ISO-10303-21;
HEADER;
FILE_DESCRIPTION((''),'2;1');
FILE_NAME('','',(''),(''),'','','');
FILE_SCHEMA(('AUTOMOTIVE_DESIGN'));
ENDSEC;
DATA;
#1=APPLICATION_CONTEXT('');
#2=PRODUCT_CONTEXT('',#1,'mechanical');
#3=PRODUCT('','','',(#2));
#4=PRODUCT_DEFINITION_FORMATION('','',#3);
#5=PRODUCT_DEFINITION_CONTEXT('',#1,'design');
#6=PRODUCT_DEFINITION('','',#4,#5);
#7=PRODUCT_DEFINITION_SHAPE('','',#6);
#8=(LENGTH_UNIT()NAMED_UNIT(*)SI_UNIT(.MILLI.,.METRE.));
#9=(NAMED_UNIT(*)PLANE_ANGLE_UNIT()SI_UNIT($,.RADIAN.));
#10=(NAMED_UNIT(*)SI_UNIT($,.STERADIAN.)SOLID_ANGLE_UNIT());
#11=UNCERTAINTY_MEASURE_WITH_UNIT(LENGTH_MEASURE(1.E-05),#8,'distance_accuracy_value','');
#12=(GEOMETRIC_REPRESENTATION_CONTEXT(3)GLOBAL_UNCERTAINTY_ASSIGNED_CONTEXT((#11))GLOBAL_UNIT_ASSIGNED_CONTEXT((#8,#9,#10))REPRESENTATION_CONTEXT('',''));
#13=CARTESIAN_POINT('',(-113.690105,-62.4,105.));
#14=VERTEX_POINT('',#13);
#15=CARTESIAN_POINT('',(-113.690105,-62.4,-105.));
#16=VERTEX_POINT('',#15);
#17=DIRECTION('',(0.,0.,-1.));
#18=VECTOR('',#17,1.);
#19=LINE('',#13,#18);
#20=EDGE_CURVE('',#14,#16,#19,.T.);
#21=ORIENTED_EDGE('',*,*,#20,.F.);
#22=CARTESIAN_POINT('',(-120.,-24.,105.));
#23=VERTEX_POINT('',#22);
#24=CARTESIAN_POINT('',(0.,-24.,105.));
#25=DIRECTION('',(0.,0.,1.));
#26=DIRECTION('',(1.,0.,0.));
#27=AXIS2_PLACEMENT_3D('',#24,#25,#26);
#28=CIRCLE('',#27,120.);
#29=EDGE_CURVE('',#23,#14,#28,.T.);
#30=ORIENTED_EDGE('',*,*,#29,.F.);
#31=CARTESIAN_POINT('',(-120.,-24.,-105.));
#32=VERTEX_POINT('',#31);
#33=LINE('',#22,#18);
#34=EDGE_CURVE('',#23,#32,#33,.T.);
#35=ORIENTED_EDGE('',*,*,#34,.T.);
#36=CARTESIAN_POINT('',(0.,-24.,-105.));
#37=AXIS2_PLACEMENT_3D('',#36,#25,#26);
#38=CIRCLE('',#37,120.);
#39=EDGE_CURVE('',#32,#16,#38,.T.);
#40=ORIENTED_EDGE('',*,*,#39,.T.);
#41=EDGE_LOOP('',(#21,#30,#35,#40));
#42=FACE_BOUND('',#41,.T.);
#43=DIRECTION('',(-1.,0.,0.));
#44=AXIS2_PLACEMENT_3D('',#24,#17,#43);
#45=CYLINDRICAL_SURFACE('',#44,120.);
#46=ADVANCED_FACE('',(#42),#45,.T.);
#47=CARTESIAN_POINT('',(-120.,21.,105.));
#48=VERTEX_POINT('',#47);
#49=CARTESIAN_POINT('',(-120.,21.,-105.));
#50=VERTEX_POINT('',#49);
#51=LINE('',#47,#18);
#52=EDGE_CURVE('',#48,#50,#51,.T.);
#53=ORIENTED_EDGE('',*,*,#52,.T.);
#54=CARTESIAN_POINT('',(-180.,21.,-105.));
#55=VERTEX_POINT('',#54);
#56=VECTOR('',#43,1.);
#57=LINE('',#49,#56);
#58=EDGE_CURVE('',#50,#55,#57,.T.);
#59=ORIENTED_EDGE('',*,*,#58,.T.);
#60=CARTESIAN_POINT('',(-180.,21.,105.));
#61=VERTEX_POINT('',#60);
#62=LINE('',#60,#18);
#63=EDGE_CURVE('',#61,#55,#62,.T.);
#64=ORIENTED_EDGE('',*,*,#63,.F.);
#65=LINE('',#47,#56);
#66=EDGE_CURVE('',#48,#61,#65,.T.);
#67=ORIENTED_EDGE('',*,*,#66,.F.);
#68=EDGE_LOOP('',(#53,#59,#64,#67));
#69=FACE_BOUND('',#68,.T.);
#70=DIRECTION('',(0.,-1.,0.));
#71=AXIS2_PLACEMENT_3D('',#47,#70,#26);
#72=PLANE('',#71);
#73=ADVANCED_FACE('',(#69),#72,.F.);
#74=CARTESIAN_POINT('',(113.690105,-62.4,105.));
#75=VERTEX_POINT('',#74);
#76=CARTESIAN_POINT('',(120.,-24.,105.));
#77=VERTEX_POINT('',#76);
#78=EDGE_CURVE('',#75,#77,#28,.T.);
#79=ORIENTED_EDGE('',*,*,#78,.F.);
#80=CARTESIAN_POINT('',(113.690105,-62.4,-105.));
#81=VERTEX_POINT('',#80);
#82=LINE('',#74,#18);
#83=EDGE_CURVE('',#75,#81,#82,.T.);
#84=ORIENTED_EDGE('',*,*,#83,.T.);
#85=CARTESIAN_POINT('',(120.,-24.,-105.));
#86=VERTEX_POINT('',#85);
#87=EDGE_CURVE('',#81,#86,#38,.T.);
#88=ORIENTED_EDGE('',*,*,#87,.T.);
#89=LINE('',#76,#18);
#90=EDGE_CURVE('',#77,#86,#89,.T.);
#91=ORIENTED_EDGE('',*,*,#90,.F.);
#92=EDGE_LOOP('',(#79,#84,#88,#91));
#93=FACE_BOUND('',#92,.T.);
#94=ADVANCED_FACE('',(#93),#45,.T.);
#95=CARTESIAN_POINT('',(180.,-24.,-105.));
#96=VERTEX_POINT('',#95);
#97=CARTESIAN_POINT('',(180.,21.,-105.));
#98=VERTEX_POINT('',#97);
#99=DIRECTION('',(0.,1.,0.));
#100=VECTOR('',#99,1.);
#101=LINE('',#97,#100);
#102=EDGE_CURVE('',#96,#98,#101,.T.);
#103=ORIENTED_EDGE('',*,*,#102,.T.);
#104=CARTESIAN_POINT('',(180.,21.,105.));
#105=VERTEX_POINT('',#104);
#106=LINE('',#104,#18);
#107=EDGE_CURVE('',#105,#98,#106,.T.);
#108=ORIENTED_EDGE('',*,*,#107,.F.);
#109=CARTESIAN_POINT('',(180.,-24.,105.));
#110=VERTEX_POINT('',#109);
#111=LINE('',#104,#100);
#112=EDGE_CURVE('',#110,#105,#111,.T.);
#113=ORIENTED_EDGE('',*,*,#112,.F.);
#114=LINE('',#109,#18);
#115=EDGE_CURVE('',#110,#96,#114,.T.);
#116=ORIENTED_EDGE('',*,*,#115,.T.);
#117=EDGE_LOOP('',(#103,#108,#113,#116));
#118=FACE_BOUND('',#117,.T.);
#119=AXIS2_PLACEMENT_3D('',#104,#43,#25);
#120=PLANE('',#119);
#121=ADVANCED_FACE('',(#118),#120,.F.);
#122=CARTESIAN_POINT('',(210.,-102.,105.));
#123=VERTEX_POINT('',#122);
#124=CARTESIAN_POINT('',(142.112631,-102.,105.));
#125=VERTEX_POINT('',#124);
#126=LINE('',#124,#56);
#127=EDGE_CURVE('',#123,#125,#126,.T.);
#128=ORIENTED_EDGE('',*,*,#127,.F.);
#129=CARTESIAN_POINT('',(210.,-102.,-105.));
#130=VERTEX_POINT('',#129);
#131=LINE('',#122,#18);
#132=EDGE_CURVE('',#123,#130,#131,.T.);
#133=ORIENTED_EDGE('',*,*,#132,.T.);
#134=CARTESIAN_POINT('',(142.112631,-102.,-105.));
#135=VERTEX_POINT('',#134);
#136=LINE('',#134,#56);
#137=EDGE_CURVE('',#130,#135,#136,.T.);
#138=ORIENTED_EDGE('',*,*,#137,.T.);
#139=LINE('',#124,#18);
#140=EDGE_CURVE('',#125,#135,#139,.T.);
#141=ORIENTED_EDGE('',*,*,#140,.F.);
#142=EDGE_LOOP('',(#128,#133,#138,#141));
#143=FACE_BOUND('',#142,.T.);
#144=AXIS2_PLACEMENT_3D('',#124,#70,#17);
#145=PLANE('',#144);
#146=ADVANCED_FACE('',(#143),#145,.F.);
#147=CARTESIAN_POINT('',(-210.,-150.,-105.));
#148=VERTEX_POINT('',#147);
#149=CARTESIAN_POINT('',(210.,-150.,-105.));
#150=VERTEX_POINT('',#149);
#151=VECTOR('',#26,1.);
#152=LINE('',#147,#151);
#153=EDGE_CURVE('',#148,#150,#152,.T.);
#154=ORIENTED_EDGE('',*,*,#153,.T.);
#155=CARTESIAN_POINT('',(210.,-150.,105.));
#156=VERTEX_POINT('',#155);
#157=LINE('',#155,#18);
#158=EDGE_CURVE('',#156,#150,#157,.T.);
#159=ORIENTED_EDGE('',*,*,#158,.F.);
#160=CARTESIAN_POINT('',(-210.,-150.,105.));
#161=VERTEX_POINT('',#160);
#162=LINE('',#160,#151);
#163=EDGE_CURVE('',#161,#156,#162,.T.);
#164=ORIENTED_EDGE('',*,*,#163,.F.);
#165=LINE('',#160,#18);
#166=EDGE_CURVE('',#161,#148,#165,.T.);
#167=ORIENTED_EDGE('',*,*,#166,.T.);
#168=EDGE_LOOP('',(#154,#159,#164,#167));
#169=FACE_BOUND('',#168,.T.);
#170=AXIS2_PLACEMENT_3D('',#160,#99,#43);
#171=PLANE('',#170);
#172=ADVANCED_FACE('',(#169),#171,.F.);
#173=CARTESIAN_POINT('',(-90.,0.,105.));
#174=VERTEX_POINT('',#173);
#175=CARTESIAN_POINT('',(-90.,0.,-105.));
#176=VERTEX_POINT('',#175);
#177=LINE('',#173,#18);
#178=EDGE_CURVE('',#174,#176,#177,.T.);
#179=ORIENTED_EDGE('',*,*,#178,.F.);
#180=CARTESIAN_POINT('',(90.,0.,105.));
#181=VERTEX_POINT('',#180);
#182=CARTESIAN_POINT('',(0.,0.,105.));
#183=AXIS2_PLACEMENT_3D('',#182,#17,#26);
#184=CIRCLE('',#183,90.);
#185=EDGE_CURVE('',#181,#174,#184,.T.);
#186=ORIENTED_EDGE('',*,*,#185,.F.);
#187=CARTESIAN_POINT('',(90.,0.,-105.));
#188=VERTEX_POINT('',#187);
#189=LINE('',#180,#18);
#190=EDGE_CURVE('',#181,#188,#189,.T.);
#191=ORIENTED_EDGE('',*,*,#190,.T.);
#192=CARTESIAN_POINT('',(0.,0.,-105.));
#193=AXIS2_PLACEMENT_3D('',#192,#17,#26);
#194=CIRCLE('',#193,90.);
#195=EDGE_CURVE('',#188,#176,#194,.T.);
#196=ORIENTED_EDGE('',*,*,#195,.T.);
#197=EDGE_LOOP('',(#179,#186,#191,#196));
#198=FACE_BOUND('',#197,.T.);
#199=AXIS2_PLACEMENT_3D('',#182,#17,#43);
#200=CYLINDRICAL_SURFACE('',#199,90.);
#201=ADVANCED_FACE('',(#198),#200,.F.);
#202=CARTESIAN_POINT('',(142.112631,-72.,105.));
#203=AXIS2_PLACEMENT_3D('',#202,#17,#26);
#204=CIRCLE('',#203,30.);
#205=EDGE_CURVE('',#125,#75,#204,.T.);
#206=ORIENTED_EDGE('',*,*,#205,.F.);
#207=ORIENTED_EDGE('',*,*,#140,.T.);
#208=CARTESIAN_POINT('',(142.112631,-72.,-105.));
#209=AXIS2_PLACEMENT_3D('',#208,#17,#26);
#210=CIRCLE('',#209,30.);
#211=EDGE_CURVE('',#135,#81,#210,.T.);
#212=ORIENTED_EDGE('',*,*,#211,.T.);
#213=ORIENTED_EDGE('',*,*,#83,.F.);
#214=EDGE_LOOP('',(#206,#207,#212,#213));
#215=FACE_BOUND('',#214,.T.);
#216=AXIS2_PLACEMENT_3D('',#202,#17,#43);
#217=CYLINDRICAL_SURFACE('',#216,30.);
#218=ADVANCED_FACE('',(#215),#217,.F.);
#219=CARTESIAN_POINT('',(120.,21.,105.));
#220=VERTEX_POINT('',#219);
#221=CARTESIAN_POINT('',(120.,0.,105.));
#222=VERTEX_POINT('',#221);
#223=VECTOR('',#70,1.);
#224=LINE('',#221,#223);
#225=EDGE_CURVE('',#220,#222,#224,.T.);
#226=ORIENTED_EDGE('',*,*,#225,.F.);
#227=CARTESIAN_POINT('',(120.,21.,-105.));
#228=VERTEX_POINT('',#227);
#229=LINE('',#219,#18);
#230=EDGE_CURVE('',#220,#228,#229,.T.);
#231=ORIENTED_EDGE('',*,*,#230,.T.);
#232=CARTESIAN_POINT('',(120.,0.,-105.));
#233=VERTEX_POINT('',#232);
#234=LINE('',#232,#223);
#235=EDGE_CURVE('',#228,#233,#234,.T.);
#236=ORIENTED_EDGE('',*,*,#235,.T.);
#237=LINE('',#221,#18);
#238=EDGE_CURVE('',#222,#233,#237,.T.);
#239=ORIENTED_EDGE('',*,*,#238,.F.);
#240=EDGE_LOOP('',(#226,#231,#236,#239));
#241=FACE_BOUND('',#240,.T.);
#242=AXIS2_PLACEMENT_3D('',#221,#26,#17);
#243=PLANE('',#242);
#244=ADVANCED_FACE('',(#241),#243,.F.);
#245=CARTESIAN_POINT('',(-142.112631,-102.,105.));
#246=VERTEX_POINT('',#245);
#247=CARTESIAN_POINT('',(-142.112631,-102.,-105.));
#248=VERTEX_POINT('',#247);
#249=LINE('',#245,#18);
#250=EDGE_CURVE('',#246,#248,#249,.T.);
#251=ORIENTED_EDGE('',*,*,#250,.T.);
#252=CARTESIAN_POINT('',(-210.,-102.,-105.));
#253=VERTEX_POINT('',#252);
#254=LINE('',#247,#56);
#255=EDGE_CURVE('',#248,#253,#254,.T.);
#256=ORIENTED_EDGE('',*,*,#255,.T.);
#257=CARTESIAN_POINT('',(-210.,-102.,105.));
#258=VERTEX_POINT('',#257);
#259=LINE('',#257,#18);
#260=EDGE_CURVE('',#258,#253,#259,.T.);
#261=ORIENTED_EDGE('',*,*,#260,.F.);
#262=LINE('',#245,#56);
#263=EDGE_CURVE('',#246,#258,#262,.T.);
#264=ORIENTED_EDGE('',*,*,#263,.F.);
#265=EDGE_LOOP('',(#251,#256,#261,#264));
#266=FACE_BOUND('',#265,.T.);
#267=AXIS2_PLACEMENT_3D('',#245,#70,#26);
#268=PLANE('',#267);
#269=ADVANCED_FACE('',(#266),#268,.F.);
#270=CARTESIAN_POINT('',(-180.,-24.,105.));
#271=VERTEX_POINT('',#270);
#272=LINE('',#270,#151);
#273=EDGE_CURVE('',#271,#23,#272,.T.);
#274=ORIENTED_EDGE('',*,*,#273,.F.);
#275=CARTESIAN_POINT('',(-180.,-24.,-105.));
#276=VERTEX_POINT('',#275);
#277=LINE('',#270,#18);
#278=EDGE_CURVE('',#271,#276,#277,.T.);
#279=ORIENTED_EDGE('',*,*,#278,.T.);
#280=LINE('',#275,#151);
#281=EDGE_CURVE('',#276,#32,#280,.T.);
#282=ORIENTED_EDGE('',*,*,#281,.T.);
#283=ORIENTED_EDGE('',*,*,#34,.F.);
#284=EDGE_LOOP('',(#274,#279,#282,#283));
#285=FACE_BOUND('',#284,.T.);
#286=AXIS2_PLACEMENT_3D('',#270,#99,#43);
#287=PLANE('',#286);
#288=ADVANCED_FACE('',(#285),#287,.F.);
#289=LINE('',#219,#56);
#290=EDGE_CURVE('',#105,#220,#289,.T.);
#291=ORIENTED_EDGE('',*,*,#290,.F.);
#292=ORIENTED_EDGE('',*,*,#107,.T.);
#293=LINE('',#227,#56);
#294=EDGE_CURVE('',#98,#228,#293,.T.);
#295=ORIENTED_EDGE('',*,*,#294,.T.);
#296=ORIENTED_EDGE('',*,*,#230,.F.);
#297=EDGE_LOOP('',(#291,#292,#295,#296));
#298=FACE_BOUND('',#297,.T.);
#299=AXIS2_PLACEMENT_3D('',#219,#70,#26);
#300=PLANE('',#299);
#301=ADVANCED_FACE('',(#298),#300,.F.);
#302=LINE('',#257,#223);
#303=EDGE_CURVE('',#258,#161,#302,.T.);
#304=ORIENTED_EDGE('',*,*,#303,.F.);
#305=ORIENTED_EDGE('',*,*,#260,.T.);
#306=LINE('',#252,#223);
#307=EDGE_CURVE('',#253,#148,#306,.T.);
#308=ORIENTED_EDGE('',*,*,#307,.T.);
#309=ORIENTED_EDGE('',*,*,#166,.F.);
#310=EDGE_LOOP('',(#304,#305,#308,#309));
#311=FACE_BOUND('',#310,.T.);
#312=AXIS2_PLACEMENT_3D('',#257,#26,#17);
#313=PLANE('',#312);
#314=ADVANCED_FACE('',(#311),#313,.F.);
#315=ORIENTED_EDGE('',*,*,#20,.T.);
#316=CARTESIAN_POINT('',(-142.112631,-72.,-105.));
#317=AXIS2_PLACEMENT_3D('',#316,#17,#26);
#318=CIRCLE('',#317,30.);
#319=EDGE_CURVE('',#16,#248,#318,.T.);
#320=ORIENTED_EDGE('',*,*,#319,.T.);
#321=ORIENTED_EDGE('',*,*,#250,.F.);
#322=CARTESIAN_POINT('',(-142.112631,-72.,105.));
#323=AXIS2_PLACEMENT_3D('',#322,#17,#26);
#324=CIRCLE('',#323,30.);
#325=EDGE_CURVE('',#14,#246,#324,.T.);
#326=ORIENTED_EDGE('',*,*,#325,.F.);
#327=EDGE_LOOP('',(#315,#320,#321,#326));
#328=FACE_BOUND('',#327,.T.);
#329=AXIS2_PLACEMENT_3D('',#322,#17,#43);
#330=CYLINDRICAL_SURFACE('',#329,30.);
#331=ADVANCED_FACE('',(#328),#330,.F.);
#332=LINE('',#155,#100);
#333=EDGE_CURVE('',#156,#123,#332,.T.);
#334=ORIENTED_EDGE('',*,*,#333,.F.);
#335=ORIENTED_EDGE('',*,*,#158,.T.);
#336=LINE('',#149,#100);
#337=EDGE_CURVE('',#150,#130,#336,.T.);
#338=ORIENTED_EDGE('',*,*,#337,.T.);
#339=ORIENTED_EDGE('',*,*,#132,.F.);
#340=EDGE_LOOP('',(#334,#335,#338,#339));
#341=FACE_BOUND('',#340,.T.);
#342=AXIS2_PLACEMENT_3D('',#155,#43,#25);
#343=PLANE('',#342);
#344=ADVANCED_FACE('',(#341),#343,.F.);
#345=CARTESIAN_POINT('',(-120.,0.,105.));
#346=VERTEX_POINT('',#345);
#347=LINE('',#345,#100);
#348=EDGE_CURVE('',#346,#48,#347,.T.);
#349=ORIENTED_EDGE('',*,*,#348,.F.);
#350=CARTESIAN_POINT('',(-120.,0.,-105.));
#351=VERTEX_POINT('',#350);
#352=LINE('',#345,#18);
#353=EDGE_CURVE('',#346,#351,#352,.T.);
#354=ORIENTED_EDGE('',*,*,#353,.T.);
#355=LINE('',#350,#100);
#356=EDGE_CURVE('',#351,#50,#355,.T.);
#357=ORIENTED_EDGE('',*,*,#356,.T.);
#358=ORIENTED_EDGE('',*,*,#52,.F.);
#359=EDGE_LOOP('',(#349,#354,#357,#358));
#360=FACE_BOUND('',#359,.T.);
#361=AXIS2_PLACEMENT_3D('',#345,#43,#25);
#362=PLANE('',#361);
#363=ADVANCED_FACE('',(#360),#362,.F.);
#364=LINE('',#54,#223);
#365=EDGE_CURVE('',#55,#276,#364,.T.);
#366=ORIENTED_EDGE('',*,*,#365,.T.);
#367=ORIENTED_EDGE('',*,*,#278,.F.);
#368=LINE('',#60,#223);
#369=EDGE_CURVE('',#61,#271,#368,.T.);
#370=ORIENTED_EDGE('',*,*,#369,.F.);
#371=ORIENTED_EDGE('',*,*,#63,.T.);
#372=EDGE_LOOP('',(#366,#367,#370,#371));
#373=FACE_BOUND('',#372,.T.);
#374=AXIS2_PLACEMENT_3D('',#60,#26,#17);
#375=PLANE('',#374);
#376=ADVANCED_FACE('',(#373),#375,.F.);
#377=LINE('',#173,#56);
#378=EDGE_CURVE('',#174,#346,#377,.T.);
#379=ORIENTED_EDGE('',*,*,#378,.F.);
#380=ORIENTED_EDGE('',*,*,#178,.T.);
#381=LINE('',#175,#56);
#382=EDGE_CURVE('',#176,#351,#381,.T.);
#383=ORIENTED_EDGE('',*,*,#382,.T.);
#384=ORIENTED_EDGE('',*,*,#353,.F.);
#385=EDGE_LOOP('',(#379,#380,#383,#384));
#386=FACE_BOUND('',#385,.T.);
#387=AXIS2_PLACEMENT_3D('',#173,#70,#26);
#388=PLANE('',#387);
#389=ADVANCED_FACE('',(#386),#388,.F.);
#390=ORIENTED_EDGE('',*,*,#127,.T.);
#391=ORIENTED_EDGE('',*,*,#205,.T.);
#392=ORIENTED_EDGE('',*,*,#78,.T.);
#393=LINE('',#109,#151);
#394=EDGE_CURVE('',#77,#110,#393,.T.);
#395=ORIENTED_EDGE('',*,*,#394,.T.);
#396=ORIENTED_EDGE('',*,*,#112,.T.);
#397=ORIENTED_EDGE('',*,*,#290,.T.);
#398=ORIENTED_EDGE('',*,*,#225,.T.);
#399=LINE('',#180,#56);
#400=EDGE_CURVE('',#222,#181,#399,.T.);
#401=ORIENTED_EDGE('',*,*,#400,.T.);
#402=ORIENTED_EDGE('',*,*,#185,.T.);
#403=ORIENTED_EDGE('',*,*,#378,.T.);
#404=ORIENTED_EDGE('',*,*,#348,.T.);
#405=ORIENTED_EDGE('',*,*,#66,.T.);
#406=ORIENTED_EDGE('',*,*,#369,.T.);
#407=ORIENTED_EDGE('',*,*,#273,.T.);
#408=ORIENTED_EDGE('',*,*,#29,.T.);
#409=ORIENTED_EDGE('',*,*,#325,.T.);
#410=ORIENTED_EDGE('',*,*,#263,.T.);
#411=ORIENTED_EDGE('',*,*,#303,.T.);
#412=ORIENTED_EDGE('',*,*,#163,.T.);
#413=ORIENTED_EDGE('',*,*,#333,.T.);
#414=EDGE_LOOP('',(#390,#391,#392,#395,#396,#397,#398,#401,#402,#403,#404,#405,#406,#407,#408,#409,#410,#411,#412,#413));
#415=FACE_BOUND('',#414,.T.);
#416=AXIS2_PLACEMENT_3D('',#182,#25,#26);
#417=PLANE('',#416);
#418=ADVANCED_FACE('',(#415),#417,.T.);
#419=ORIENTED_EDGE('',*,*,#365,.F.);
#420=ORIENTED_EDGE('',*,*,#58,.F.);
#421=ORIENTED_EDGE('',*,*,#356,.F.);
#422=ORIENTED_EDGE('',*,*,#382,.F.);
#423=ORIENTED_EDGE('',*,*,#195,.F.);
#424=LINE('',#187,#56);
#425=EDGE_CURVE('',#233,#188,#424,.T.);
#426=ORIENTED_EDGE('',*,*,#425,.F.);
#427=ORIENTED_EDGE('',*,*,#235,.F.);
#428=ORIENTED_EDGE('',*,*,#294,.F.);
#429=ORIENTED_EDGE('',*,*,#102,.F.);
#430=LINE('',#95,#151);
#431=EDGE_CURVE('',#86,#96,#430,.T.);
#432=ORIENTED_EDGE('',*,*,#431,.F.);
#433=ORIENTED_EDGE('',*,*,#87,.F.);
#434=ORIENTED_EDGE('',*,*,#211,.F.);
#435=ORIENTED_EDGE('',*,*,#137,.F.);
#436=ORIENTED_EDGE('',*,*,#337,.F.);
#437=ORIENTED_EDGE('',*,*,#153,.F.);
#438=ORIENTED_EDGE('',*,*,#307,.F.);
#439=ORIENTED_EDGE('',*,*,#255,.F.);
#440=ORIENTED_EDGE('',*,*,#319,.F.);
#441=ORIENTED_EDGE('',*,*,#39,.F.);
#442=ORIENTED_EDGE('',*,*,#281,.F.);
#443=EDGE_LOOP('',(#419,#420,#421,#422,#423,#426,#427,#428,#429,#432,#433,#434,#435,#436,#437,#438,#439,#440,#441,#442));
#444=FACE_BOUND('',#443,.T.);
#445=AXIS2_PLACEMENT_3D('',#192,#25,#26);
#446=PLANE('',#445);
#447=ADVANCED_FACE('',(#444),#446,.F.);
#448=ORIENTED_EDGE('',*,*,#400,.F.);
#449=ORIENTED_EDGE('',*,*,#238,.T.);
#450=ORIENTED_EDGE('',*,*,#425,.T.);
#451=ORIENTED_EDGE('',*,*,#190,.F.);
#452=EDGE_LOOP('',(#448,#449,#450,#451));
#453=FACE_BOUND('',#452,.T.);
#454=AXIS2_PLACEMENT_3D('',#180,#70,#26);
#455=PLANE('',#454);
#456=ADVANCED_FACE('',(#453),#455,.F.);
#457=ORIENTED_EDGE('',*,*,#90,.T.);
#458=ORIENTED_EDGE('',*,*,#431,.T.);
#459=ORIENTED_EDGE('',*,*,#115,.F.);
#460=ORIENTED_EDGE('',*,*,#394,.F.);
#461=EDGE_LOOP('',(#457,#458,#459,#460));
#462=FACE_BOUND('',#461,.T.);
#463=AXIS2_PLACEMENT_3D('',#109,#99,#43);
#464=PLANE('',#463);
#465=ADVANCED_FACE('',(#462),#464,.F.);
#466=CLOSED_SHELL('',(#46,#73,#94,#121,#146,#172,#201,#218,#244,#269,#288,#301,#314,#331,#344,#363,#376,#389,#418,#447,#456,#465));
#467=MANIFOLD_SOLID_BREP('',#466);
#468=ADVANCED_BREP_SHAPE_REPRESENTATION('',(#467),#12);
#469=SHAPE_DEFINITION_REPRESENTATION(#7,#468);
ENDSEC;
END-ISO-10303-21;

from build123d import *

# Parameters (mm, degrees)
SALIENTE_EXTRUIR1_DEPTH = 105


with BuildPart() as part:
    # Croquis1 → Saliente-Extruir1 (new, symmetric)
    with BuildSketch(Plane.XY):
        with BuildLine():
            Line((-90, 0), (-120, 0))
            Line((-120, 0), (-120, 21))
            Line((-120, 21), (-180, 21))
            Line((-180, 21), (-180, -24))
            Line((-180, -24), (-120, -24))
            ThreePointArc((-120, -24), (-118.412019266, -43.457484251), (-113.69010511, -62.4))
            ThreePointArc((-113.69010511, -62.4), (-117.740516174, -89.492855685), (-142.112631388, -102))
            Line((-142.112631388, -102), (-210, -102))
            Line((-210, -102), (-210, -150))
            Line((-210, -150), (210, -150))
            Line((210, -150), (210, -102))
            Line((210, -102), (142.112631388, -102))
            ThreePointArc((142.112631388, -102), (117.740516174, -89.492855685), (113.69010511, -62.4))
            ThreePointArc((113.69010511, -62.4), (118.412019266, -43.457484251), (120, -24))
            Line((120, -24), (180, -24))
            Line((180, -24), (180, 21))
            Line((180, 21), (120, 21))
            Line((120, 21), (120, 0))
            Line((120, 0), (90, 0))
            ThreePointArc((90, 0), (0, -90), (-90, 0))
        make_face()
    extrude(amount=SALIENTE_EXTRUIR1_DEPTH, both=True)


solid = part.part
